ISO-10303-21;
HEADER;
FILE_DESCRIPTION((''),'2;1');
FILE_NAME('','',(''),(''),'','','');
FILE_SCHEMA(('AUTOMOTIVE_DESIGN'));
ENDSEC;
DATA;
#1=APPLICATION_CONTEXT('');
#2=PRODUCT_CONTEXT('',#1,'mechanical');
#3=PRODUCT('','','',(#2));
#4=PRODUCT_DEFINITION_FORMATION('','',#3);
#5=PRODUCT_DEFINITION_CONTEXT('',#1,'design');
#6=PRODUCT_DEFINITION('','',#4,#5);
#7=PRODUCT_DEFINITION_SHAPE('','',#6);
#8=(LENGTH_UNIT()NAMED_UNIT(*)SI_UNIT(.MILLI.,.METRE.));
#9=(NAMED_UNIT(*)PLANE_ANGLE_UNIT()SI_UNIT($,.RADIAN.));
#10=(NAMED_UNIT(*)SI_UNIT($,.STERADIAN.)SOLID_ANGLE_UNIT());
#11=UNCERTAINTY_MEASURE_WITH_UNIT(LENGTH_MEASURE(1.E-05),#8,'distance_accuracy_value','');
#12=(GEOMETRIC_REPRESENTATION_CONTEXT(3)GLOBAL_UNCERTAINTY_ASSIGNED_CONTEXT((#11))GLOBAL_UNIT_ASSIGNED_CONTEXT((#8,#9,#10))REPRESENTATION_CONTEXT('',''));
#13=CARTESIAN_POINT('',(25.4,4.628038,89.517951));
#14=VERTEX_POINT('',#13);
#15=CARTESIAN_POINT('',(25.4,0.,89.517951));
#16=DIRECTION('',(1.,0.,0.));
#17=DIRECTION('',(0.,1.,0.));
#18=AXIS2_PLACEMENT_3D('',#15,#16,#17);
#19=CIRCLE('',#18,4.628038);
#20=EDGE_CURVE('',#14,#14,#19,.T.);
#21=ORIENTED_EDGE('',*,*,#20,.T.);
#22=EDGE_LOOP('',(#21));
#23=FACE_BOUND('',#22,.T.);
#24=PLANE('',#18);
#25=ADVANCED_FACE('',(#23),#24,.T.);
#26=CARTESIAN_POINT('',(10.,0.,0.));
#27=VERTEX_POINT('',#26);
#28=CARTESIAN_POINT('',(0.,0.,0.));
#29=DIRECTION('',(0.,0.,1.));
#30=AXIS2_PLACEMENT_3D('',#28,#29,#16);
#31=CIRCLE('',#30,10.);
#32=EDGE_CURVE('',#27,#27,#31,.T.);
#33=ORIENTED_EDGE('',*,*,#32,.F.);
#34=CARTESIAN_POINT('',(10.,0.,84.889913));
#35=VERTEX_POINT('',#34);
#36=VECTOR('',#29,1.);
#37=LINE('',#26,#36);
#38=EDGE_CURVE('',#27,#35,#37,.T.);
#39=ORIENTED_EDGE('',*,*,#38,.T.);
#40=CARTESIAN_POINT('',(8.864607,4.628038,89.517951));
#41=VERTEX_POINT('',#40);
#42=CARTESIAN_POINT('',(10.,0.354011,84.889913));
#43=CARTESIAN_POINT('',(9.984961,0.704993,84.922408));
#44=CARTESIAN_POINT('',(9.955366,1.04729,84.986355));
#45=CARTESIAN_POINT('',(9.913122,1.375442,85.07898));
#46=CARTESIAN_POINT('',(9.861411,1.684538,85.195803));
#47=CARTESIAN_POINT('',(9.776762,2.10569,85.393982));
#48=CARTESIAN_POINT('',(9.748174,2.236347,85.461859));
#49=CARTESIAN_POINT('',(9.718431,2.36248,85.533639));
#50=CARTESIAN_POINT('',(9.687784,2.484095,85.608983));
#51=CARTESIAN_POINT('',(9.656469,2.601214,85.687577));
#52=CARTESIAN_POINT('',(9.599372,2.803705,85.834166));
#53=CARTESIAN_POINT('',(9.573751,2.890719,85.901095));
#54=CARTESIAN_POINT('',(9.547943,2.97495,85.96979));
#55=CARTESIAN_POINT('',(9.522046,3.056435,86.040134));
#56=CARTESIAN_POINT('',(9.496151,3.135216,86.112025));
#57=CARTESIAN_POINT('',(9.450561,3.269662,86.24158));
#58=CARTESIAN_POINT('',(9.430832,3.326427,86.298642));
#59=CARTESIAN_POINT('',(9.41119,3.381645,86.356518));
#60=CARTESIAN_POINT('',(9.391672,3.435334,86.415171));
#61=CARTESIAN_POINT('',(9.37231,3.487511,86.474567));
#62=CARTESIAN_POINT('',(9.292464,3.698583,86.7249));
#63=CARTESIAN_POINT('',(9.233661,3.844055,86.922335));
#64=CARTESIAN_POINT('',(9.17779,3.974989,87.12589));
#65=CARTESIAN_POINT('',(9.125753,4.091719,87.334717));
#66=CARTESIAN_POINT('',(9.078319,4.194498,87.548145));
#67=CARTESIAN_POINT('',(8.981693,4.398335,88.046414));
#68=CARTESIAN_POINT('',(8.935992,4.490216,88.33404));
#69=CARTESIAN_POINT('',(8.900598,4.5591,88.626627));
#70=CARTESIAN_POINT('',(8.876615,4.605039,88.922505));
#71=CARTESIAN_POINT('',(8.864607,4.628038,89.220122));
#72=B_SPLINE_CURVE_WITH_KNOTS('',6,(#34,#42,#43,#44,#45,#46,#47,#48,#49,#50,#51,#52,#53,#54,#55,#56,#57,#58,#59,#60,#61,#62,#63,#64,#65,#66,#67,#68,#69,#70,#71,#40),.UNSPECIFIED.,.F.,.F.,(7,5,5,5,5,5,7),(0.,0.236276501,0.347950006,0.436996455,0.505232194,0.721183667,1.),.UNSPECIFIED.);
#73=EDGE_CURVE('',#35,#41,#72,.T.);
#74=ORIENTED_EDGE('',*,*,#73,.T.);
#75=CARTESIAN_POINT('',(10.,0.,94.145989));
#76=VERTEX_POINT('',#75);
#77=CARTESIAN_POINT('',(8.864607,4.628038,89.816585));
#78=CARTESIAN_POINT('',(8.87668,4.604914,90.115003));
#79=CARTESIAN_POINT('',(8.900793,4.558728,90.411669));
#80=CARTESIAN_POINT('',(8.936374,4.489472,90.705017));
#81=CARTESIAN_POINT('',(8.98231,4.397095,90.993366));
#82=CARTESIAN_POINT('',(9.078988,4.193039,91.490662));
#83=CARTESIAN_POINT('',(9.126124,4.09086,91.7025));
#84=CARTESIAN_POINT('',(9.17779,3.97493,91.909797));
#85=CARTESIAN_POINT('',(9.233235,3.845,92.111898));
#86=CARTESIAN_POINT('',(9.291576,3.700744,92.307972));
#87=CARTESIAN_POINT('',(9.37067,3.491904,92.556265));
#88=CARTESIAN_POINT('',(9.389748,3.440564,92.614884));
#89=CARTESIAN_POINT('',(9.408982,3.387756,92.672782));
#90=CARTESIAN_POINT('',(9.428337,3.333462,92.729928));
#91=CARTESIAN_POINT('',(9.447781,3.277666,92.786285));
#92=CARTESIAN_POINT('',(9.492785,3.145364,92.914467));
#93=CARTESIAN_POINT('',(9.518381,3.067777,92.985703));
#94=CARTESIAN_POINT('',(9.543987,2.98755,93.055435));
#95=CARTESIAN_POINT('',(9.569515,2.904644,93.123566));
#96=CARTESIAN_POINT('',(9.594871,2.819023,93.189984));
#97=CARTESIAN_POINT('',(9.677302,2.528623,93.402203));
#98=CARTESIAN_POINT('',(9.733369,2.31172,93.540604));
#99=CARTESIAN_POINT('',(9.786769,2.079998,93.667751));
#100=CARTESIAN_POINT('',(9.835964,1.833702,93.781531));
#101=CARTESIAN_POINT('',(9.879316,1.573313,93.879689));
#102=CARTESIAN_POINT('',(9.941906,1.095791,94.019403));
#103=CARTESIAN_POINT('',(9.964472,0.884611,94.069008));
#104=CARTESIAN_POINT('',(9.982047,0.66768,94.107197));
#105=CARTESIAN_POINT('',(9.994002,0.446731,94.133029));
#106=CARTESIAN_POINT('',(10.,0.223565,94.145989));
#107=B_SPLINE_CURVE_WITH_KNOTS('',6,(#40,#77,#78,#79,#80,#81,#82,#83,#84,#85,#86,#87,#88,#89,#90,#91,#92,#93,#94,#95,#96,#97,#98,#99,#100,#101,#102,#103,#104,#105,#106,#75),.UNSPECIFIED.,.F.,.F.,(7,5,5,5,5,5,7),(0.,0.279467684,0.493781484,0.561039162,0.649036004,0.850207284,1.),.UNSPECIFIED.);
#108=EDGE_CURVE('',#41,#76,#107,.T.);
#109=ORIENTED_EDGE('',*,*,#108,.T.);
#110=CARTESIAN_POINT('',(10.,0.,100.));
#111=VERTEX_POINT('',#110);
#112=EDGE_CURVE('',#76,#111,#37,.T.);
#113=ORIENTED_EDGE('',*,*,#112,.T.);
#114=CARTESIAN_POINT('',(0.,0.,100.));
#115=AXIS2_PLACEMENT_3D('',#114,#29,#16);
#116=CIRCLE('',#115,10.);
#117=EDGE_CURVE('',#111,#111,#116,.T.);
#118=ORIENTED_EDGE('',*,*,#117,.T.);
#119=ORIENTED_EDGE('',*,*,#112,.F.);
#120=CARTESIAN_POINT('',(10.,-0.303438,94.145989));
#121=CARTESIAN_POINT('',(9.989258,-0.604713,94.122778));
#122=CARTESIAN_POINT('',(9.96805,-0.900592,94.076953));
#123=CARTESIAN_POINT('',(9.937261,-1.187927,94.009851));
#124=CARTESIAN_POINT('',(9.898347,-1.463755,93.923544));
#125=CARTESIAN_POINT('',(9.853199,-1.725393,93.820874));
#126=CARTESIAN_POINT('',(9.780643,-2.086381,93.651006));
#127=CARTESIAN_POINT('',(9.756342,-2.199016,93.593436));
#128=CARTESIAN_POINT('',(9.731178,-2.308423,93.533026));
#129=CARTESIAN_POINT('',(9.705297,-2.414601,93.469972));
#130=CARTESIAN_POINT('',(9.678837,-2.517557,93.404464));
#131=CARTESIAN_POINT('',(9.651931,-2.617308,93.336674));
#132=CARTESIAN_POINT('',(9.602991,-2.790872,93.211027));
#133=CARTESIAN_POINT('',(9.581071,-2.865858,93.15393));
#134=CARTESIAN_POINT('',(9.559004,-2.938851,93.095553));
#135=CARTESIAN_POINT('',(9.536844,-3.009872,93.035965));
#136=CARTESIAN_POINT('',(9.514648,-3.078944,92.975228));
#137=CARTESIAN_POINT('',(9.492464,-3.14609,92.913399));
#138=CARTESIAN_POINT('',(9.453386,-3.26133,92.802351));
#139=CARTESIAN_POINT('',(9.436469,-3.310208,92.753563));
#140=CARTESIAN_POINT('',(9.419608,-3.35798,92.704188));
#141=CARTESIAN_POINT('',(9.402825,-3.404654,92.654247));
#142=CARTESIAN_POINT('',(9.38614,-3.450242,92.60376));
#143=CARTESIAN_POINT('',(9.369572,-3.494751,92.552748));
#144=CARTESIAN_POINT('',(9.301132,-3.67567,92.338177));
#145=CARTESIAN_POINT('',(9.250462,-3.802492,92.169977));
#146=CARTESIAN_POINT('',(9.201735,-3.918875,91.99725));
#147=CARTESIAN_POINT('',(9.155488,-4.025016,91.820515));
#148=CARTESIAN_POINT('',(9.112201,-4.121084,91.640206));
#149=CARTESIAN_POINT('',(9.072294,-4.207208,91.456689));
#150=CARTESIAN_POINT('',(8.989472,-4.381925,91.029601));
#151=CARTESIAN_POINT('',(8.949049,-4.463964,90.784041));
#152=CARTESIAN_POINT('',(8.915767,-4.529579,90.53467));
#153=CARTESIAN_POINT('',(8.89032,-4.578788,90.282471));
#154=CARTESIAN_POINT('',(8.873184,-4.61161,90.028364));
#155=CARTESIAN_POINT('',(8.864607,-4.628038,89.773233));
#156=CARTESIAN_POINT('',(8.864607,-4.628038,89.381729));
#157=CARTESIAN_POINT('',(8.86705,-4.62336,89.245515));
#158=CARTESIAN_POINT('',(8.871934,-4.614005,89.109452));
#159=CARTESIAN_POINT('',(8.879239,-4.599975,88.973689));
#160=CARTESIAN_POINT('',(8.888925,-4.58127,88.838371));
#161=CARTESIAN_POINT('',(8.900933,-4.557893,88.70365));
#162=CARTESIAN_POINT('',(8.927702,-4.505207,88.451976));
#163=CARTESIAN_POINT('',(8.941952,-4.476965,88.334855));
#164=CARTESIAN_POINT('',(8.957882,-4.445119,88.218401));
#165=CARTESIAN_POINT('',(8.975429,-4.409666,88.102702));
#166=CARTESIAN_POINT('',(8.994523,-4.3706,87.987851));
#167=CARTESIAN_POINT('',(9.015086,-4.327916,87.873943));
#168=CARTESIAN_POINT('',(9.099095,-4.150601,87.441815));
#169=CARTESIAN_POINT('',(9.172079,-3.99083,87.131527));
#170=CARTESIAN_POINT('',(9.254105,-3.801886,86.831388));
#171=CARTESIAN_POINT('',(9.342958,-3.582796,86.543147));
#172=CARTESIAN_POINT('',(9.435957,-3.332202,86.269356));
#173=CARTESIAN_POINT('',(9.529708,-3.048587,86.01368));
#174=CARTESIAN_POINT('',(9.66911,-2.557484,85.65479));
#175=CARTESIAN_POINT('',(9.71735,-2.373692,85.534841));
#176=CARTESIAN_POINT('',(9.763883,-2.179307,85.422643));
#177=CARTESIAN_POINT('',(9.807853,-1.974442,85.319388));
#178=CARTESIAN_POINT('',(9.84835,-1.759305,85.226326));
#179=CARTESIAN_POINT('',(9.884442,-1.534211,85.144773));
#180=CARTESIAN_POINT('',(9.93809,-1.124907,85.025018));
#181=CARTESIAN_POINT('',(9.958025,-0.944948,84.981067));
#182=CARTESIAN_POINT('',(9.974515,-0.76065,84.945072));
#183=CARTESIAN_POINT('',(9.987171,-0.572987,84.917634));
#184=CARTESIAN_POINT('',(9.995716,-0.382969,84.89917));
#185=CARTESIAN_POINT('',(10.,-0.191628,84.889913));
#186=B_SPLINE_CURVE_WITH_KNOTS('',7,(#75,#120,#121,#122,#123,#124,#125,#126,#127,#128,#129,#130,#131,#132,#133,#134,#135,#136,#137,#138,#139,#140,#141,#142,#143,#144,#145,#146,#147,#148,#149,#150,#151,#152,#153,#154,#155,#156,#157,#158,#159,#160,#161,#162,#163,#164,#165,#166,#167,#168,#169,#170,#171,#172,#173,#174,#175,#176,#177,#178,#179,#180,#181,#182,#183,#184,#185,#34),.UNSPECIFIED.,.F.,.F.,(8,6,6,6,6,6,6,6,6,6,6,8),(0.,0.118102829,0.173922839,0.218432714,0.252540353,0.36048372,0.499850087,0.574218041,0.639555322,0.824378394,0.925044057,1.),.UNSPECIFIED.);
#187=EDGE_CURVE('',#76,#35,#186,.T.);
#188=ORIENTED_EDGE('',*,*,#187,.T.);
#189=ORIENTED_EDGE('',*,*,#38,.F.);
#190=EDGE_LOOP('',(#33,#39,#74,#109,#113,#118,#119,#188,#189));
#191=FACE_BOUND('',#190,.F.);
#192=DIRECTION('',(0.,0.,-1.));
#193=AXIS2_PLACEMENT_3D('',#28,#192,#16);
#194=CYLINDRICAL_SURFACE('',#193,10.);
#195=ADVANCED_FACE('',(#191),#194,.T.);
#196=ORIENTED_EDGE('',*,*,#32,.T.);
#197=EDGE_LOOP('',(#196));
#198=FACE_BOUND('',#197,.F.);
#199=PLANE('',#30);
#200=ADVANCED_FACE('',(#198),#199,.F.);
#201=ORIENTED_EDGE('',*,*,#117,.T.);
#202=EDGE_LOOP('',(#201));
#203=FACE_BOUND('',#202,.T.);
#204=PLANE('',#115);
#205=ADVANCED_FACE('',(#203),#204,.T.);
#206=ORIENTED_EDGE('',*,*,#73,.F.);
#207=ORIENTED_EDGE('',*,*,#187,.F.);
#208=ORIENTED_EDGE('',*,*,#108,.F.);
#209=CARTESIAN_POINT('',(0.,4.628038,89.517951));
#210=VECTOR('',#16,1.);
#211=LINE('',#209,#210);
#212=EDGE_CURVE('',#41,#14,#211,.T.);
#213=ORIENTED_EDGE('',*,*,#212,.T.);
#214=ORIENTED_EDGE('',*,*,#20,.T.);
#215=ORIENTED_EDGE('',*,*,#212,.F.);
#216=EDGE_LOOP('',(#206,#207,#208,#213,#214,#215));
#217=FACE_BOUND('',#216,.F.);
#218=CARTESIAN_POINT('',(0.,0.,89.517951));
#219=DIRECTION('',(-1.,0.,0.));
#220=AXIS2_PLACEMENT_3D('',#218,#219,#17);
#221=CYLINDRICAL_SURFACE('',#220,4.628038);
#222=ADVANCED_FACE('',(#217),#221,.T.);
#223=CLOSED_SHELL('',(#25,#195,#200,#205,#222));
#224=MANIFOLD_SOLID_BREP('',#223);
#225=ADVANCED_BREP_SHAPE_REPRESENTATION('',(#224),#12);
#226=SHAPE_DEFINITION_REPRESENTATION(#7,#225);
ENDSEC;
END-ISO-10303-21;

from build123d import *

# Parameters (mm, degrees)
F0_R     = 10
F1_DEPTH = 100
F2_R     = 4.628038
F3_DEPTH = 25.4


with BuildPart() as f1:
    # F0 (on Top) → F1 (new body)
    with BuildSketch(Plane.XY):
        Circle(F0_R)
    extrude(amount=F1_DEPTH)

    # F2 (on Right) → F3 (join)
    with BuildSketch(Plane.YZ):
        with Locations((0, 89.517951)):
            Circle(F2_R)
    extrude(amount=F3_DEPTH)


solid = f1.part
